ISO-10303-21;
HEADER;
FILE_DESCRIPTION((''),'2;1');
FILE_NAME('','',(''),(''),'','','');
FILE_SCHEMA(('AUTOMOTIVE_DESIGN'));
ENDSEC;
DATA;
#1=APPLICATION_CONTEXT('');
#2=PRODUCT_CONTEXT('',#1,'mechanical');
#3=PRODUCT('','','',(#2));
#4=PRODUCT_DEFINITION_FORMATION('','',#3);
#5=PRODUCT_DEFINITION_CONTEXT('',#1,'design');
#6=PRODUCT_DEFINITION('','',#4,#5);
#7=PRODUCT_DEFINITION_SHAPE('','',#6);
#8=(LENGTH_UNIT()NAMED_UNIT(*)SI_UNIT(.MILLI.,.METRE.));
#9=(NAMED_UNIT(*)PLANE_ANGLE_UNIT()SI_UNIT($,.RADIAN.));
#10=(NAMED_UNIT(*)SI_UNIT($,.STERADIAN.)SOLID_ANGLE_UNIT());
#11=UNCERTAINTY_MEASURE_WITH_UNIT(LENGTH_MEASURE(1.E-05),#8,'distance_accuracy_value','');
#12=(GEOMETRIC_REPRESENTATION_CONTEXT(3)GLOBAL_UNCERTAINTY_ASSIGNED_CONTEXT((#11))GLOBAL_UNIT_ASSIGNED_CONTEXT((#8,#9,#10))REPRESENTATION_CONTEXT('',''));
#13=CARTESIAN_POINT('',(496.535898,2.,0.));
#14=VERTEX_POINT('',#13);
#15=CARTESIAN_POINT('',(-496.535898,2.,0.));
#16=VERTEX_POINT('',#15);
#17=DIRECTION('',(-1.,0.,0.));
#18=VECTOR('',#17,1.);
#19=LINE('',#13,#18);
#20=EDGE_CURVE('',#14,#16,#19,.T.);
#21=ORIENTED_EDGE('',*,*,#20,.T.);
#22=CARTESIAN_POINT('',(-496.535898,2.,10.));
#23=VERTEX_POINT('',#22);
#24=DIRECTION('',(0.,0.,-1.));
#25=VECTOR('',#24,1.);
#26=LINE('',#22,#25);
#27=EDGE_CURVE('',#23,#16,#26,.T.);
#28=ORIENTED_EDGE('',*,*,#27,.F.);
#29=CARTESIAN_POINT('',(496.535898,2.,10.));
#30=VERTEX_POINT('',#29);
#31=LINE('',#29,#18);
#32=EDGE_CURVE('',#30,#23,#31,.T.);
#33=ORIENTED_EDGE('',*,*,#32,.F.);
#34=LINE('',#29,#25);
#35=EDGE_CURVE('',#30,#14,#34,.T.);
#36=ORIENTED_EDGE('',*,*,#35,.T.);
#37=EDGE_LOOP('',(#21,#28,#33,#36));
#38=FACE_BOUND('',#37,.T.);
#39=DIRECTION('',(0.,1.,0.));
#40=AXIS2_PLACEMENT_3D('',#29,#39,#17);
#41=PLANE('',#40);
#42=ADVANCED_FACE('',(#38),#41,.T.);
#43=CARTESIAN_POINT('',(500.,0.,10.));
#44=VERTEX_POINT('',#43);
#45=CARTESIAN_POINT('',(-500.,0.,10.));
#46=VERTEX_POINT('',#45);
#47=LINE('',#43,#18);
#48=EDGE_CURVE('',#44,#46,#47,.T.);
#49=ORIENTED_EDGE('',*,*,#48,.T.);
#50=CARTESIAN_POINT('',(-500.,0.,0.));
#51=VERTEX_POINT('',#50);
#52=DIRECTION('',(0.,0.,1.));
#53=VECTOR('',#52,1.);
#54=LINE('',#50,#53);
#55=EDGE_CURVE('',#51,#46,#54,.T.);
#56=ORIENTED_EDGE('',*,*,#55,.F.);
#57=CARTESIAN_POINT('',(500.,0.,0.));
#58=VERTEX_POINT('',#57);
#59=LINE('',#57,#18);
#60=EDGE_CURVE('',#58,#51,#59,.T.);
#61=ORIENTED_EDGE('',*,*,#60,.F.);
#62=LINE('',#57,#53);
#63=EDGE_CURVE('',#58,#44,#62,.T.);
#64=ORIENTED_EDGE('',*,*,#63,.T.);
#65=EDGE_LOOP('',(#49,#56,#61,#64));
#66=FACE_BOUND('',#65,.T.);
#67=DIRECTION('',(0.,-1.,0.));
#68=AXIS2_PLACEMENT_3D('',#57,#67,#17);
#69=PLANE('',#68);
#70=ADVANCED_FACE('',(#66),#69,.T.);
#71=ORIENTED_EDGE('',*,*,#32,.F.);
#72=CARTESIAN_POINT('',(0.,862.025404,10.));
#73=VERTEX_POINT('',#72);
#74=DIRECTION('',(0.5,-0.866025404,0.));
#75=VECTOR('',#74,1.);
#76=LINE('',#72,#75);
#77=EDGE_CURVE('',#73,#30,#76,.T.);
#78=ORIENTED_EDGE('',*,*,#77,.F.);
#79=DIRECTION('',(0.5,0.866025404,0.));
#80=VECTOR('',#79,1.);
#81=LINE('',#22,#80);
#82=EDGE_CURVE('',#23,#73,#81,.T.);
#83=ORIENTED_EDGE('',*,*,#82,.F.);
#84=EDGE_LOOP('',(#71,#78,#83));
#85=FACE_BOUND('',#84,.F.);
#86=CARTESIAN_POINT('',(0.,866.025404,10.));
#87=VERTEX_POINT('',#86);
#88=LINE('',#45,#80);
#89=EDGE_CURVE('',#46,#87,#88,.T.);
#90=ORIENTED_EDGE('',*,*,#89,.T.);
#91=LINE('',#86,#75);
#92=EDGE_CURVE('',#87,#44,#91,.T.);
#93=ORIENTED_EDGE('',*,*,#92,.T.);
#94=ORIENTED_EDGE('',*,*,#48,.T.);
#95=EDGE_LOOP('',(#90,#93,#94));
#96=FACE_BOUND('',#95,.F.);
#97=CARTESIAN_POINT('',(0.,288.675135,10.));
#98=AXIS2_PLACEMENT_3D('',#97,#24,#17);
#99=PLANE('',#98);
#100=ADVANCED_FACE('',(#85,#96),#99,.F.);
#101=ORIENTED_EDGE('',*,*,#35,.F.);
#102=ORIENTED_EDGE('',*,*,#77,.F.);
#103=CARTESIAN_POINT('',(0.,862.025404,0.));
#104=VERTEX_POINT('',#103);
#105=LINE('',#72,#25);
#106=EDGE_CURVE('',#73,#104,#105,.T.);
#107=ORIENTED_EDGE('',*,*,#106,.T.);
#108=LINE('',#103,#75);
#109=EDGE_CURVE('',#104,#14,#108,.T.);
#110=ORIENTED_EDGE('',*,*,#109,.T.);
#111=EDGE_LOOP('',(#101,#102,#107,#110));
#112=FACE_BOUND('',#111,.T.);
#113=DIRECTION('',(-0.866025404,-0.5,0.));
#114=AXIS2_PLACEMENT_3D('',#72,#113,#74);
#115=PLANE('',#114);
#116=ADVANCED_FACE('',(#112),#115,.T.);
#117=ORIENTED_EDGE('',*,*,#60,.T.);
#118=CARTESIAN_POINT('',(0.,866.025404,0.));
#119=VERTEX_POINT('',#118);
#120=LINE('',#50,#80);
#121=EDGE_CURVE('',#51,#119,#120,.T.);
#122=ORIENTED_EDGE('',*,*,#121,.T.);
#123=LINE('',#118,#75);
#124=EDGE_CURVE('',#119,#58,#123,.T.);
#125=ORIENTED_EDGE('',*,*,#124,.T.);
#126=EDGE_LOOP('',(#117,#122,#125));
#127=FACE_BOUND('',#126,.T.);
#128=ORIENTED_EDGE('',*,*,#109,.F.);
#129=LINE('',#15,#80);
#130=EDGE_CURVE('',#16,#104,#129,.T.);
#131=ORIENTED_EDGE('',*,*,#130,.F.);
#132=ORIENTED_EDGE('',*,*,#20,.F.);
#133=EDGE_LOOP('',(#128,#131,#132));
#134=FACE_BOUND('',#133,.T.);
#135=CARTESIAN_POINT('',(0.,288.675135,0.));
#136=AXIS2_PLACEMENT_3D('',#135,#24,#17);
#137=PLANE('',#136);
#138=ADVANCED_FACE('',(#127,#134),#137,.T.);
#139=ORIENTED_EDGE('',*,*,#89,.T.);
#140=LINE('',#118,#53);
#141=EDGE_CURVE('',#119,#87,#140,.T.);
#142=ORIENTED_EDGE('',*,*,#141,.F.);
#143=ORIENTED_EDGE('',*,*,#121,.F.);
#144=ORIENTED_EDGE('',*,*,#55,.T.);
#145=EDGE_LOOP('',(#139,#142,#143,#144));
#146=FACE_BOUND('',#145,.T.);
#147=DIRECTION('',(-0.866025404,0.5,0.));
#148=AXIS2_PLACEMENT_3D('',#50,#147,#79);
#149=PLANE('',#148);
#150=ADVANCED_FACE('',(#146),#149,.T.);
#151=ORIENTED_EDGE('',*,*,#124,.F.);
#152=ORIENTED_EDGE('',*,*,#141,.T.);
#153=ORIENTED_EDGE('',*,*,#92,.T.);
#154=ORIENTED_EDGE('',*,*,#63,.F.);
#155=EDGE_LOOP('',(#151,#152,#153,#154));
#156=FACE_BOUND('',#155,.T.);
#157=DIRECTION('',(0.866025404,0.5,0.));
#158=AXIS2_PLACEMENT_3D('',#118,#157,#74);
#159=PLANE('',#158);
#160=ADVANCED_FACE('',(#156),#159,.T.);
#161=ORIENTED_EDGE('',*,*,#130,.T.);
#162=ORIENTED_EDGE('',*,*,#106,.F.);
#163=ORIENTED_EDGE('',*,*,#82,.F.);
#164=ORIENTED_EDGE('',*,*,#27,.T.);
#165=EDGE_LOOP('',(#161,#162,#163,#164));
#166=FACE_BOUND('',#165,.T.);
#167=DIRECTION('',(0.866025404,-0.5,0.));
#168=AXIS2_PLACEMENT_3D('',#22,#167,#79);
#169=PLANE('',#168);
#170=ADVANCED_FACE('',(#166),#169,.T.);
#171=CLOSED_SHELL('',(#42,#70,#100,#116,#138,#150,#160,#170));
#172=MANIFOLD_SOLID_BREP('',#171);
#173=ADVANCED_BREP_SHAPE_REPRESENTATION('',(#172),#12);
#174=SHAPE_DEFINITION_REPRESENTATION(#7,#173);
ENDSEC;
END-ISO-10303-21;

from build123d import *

# Parameters (mm, degrees)
BOSS_EXTRU_1_DEPTH      = 10
ENL_V_MAT_EXTRU_1_DEPTH = 10


with BuildPart() as part:
    # Esquisse1 → Boss.-Extru.1 (new body)
    with BuildSketch(Plane.XY):
        Polygon((-500, 0), (0, 866.025403784), (500, 0), align=None)
    extrude(amount=BOSS_EXTRU_1_DEPTH)

    # Esquisse2 → Enlèv. mat.-Extru.1 (cut)
    with BuildSketch(Plane.XY.offset(10)):
        Polygon((-496.535898385, 2), (0, 862.025403784), (496.535898385, 2), align=None)
    extrude(amount=-ENL_V_MAT_EXTRU_1_DEPTH, mode=Mode.SUBTRACT)


solid = part.part
